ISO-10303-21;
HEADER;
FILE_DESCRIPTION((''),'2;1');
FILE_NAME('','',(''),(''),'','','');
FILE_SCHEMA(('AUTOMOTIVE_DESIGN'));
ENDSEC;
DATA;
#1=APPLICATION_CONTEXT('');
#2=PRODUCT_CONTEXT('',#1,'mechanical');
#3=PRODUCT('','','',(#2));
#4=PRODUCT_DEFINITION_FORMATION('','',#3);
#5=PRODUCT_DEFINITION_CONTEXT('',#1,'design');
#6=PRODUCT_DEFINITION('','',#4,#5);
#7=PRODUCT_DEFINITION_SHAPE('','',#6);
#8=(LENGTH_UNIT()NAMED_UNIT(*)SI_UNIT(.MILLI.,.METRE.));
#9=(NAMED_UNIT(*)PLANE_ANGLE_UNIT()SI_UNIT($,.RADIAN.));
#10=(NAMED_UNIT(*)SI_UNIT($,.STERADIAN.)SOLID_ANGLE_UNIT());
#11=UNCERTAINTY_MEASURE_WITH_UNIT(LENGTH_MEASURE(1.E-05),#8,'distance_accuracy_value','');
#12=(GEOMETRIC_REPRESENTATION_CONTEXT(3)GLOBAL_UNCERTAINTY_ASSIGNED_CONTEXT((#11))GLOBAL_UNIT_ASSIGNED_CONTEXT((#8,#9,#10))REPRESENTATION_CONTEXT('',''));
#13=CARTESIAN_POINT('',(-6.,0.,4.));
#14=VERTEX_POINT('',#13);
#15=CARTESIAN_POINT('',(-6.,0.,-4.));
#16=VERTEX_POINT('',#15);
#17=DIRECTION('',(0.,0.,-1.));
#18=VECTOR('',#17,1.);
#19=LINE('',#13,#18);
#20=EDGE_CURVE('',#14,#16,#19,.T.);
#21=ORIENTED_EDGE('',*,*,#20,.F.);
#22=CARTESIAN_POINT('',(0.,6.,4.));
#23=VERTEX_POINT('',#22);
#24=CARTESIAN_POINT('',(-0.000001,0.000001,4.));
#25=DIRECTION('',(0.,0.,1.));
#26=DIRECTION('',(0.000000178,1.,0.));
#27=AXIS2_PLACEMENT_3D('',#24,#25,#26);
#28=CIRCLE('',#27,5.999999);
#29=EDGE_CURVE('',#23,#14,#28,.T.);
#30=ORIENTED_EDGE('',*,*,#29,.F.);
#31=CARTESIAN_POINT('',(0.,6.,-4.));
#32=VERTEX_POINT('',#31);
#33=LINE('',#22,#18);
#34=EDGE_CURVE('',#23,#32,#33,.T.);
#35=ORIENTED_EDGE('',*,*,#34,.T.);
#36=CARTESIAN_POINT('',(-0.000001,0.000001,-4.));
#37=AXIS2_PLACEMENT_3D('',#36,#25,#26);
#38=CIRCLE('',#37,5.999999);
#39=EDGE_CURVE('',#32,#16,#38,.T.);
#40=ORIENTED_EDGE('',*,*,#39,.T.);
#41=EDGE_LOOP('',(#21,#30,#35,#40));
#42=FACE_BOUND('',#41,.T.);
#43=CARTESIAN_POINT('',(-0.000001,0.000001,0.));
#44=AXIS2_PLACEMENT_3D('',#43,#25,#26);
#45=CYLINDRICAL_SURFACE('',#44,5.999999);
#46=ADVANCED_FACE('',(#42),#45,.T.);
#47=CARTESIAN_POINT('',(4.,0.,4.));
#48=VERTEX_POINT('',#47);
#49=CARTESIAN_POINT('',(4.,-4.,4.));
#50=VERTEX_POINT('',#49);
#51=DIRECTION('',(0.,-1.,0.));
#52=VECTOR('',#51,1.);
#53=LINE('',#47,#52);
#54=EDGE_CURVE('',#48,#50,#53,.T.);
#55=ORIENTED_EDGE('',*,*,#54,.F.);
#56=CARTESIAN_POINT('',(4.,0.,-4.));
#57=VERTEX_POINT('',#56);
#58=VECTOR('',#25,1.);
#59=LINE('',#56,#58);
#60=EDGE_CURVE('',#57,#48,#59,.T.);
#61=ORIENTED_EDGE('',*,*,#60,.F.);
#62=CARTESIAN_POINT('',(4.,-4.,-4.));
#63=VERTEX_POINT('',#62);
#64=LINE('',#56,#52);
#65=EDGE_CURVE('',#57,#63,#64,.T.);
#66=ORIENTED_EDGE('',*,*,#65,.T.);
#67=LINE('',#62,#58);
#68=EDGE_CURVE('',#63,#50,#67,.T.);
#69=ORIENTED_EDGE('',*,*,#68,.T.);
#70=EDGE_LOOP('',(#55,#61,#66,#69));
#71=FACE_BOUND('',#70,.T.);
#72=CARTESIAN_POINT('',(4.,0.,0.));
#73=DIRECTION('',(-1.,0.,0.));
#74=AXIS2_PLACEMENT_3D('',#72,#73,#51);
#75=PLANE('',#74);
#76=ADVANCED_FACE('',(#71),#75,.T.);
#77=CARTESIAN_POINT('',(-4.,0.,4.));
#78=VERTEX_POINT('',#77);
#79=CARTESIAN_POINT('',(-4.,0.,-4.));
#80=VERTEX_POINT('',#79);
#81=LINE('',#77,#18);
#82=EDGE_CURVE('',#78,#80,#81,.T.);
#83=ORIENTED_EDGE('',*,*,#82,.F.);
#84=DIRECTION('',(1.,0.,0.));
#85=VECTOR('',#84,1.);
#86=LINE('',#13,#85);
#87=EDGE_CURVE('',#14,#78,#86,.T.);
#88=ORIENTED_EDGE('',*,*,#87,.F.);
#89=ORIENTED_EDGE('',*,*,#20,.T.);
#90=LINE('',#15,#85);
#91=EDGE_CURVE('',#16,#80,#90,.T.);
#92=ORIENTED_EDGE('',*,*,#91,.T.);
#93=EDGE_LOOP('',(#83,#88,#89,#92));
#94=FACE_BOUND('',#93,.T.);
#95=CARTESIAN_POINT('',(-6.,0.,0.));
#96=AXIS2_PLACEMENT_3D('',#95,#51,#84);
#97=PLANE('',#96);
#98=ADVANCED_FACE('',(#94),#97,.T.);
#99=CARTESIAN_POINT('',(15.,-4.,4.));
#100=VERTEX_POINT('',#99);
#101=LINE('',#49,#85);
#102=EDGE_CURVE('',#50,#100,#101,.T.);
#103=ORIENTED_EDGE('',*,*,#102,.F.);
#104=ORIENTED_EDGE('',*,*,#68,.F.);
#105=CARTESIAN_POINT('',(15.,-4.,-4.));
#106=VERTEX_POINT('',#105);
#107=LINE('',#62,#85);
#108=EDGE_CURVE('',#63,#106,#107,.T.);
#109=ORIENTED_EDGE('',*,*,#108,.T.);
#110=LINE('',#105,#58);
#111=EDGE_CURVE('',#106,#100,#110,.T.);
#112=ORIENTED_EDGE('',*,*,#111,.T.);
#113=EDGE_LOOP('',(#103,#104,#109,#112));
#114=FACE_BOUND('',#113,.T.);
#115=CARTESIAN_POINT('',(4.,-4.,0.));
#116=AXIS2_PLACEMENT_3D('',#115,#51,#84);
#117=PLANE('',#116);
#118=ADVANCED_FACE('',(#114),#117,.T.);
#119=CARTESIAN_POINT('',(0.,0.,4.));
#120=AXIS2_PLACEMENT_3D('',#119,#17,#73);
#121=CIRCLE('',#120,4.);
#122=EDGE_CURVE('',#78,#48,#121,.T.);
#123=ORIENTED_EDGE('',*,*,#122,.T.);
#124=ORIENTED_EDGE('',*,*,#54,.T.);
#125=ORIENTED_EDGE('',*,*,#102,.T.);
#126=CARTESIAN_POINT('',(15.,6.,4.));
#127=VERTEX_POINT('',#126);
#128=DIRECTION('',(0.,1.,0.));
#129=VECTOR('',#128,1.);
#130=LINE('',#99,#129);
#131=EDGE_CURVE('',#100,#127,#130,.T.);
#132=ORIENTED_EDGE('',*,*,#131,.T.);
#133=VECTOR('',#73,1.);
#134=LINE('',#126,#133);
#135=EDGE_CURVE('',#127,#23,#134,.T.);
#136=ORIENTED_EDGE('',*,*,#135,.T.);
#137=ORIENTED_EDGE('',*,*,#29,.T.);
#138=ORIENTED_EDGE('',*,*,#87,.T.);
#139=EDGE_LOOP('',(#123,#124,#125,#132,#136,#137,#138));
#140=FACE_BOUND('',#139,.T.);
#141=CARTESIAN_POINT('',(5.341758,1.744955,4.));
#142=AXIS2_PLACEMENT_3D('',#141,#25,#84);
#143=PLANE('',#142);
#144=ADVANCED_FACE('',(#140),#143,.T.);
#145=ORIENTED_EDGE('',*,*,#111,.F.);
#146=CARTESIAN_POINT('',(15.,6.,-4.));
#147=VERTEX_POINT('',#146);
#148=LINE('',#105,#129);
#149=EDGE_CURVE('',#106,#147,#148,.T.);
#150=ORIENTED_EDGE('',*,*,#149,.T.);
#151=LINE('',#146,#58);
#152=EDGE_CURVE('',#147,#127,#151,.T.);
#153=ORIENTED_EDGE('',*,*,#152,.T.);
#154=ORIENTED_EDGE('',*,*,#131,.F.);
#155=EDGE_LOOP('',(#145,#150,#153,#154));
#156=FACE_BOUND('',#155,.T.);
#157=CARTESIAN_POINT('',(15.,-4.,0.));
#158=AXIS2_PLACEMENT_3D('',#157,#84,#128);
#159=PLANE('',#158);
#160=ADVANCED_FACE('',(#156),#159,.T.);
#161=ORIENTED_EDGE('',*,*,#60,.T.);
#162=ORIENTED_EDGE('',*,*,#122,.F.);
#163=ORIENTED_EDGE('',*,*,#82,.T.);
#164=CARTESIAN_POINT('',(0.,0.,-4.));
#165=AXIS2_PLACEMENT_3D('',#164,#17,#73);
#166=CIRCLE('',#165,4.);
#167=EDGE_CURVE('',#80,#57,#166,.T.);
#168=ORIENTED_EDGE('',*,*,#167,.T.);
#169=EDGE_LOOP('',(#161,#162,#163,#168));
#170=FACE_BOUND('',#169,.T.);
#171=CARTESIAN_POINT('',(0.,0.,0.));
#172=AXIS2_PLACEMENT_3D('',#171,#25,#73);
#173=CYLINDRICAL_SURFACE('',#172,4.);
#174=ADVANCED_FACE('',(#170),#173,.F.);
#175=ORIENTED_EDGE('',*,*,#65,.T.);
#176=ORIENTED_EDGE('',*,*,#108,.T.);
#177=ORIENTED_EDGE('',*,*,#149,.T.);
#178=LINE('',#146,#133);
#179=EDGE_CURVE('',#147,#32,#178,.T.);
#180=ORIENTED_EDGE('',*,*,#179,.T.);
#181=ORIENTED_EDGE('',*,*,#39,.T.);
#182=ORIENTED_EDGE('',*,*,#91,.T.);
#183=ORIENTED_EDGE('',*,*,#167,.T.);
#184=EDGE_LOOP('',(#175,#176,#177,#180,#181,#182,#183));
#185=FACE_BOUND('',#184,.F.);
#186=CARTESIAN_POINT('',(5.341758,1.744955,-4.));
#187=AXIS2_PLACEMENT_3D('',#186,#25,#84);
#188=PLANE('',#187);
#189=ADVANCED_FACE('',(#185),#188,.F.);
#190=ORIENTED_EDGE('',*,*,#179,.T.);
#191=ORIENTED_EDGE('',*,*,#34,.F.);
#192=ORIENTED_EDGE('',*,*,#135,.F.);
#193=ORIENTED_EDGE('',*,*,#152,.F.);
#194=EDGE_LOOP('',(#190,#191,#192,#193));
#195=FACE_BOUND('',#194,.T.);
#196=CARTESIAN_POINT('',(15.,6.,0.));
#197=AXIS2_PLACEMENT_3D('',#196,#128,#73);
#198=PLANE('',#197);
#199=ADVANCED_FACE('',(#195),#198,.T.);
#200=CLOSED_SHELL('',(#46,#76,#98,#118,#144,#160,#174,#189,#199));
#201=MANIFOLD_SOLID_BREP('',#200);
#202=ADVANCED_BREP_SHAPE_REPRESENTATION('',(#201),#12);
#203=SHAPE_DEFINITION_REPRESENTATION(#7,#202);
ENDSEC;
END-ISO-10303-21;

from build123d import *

# Parameters (mm, degrees)
F1_DEPTH = 4


with BuildPart() as f1:
    # F0 (on Top) → F1 (new body, symmetric)
    with BuildSketch(Plane.XY):
        with BuildLine():
            ThreePointArc((-4, 0), (0, 4), (4, 0))
            Line((4, 0), (4, -4))
            Line((4, -4), (15, -4))
            Line((15, -4), (15, 6))
            Line((15, 6), (0, 6))
            ThreePointArc((0, 6), (-4.242641, 4.242641), (-6, 0))
            Line((-6, 0), (-4, 0))
        make_face()
    extrude(amount=F1_DEPTH, both=True)


solid = f1.part
